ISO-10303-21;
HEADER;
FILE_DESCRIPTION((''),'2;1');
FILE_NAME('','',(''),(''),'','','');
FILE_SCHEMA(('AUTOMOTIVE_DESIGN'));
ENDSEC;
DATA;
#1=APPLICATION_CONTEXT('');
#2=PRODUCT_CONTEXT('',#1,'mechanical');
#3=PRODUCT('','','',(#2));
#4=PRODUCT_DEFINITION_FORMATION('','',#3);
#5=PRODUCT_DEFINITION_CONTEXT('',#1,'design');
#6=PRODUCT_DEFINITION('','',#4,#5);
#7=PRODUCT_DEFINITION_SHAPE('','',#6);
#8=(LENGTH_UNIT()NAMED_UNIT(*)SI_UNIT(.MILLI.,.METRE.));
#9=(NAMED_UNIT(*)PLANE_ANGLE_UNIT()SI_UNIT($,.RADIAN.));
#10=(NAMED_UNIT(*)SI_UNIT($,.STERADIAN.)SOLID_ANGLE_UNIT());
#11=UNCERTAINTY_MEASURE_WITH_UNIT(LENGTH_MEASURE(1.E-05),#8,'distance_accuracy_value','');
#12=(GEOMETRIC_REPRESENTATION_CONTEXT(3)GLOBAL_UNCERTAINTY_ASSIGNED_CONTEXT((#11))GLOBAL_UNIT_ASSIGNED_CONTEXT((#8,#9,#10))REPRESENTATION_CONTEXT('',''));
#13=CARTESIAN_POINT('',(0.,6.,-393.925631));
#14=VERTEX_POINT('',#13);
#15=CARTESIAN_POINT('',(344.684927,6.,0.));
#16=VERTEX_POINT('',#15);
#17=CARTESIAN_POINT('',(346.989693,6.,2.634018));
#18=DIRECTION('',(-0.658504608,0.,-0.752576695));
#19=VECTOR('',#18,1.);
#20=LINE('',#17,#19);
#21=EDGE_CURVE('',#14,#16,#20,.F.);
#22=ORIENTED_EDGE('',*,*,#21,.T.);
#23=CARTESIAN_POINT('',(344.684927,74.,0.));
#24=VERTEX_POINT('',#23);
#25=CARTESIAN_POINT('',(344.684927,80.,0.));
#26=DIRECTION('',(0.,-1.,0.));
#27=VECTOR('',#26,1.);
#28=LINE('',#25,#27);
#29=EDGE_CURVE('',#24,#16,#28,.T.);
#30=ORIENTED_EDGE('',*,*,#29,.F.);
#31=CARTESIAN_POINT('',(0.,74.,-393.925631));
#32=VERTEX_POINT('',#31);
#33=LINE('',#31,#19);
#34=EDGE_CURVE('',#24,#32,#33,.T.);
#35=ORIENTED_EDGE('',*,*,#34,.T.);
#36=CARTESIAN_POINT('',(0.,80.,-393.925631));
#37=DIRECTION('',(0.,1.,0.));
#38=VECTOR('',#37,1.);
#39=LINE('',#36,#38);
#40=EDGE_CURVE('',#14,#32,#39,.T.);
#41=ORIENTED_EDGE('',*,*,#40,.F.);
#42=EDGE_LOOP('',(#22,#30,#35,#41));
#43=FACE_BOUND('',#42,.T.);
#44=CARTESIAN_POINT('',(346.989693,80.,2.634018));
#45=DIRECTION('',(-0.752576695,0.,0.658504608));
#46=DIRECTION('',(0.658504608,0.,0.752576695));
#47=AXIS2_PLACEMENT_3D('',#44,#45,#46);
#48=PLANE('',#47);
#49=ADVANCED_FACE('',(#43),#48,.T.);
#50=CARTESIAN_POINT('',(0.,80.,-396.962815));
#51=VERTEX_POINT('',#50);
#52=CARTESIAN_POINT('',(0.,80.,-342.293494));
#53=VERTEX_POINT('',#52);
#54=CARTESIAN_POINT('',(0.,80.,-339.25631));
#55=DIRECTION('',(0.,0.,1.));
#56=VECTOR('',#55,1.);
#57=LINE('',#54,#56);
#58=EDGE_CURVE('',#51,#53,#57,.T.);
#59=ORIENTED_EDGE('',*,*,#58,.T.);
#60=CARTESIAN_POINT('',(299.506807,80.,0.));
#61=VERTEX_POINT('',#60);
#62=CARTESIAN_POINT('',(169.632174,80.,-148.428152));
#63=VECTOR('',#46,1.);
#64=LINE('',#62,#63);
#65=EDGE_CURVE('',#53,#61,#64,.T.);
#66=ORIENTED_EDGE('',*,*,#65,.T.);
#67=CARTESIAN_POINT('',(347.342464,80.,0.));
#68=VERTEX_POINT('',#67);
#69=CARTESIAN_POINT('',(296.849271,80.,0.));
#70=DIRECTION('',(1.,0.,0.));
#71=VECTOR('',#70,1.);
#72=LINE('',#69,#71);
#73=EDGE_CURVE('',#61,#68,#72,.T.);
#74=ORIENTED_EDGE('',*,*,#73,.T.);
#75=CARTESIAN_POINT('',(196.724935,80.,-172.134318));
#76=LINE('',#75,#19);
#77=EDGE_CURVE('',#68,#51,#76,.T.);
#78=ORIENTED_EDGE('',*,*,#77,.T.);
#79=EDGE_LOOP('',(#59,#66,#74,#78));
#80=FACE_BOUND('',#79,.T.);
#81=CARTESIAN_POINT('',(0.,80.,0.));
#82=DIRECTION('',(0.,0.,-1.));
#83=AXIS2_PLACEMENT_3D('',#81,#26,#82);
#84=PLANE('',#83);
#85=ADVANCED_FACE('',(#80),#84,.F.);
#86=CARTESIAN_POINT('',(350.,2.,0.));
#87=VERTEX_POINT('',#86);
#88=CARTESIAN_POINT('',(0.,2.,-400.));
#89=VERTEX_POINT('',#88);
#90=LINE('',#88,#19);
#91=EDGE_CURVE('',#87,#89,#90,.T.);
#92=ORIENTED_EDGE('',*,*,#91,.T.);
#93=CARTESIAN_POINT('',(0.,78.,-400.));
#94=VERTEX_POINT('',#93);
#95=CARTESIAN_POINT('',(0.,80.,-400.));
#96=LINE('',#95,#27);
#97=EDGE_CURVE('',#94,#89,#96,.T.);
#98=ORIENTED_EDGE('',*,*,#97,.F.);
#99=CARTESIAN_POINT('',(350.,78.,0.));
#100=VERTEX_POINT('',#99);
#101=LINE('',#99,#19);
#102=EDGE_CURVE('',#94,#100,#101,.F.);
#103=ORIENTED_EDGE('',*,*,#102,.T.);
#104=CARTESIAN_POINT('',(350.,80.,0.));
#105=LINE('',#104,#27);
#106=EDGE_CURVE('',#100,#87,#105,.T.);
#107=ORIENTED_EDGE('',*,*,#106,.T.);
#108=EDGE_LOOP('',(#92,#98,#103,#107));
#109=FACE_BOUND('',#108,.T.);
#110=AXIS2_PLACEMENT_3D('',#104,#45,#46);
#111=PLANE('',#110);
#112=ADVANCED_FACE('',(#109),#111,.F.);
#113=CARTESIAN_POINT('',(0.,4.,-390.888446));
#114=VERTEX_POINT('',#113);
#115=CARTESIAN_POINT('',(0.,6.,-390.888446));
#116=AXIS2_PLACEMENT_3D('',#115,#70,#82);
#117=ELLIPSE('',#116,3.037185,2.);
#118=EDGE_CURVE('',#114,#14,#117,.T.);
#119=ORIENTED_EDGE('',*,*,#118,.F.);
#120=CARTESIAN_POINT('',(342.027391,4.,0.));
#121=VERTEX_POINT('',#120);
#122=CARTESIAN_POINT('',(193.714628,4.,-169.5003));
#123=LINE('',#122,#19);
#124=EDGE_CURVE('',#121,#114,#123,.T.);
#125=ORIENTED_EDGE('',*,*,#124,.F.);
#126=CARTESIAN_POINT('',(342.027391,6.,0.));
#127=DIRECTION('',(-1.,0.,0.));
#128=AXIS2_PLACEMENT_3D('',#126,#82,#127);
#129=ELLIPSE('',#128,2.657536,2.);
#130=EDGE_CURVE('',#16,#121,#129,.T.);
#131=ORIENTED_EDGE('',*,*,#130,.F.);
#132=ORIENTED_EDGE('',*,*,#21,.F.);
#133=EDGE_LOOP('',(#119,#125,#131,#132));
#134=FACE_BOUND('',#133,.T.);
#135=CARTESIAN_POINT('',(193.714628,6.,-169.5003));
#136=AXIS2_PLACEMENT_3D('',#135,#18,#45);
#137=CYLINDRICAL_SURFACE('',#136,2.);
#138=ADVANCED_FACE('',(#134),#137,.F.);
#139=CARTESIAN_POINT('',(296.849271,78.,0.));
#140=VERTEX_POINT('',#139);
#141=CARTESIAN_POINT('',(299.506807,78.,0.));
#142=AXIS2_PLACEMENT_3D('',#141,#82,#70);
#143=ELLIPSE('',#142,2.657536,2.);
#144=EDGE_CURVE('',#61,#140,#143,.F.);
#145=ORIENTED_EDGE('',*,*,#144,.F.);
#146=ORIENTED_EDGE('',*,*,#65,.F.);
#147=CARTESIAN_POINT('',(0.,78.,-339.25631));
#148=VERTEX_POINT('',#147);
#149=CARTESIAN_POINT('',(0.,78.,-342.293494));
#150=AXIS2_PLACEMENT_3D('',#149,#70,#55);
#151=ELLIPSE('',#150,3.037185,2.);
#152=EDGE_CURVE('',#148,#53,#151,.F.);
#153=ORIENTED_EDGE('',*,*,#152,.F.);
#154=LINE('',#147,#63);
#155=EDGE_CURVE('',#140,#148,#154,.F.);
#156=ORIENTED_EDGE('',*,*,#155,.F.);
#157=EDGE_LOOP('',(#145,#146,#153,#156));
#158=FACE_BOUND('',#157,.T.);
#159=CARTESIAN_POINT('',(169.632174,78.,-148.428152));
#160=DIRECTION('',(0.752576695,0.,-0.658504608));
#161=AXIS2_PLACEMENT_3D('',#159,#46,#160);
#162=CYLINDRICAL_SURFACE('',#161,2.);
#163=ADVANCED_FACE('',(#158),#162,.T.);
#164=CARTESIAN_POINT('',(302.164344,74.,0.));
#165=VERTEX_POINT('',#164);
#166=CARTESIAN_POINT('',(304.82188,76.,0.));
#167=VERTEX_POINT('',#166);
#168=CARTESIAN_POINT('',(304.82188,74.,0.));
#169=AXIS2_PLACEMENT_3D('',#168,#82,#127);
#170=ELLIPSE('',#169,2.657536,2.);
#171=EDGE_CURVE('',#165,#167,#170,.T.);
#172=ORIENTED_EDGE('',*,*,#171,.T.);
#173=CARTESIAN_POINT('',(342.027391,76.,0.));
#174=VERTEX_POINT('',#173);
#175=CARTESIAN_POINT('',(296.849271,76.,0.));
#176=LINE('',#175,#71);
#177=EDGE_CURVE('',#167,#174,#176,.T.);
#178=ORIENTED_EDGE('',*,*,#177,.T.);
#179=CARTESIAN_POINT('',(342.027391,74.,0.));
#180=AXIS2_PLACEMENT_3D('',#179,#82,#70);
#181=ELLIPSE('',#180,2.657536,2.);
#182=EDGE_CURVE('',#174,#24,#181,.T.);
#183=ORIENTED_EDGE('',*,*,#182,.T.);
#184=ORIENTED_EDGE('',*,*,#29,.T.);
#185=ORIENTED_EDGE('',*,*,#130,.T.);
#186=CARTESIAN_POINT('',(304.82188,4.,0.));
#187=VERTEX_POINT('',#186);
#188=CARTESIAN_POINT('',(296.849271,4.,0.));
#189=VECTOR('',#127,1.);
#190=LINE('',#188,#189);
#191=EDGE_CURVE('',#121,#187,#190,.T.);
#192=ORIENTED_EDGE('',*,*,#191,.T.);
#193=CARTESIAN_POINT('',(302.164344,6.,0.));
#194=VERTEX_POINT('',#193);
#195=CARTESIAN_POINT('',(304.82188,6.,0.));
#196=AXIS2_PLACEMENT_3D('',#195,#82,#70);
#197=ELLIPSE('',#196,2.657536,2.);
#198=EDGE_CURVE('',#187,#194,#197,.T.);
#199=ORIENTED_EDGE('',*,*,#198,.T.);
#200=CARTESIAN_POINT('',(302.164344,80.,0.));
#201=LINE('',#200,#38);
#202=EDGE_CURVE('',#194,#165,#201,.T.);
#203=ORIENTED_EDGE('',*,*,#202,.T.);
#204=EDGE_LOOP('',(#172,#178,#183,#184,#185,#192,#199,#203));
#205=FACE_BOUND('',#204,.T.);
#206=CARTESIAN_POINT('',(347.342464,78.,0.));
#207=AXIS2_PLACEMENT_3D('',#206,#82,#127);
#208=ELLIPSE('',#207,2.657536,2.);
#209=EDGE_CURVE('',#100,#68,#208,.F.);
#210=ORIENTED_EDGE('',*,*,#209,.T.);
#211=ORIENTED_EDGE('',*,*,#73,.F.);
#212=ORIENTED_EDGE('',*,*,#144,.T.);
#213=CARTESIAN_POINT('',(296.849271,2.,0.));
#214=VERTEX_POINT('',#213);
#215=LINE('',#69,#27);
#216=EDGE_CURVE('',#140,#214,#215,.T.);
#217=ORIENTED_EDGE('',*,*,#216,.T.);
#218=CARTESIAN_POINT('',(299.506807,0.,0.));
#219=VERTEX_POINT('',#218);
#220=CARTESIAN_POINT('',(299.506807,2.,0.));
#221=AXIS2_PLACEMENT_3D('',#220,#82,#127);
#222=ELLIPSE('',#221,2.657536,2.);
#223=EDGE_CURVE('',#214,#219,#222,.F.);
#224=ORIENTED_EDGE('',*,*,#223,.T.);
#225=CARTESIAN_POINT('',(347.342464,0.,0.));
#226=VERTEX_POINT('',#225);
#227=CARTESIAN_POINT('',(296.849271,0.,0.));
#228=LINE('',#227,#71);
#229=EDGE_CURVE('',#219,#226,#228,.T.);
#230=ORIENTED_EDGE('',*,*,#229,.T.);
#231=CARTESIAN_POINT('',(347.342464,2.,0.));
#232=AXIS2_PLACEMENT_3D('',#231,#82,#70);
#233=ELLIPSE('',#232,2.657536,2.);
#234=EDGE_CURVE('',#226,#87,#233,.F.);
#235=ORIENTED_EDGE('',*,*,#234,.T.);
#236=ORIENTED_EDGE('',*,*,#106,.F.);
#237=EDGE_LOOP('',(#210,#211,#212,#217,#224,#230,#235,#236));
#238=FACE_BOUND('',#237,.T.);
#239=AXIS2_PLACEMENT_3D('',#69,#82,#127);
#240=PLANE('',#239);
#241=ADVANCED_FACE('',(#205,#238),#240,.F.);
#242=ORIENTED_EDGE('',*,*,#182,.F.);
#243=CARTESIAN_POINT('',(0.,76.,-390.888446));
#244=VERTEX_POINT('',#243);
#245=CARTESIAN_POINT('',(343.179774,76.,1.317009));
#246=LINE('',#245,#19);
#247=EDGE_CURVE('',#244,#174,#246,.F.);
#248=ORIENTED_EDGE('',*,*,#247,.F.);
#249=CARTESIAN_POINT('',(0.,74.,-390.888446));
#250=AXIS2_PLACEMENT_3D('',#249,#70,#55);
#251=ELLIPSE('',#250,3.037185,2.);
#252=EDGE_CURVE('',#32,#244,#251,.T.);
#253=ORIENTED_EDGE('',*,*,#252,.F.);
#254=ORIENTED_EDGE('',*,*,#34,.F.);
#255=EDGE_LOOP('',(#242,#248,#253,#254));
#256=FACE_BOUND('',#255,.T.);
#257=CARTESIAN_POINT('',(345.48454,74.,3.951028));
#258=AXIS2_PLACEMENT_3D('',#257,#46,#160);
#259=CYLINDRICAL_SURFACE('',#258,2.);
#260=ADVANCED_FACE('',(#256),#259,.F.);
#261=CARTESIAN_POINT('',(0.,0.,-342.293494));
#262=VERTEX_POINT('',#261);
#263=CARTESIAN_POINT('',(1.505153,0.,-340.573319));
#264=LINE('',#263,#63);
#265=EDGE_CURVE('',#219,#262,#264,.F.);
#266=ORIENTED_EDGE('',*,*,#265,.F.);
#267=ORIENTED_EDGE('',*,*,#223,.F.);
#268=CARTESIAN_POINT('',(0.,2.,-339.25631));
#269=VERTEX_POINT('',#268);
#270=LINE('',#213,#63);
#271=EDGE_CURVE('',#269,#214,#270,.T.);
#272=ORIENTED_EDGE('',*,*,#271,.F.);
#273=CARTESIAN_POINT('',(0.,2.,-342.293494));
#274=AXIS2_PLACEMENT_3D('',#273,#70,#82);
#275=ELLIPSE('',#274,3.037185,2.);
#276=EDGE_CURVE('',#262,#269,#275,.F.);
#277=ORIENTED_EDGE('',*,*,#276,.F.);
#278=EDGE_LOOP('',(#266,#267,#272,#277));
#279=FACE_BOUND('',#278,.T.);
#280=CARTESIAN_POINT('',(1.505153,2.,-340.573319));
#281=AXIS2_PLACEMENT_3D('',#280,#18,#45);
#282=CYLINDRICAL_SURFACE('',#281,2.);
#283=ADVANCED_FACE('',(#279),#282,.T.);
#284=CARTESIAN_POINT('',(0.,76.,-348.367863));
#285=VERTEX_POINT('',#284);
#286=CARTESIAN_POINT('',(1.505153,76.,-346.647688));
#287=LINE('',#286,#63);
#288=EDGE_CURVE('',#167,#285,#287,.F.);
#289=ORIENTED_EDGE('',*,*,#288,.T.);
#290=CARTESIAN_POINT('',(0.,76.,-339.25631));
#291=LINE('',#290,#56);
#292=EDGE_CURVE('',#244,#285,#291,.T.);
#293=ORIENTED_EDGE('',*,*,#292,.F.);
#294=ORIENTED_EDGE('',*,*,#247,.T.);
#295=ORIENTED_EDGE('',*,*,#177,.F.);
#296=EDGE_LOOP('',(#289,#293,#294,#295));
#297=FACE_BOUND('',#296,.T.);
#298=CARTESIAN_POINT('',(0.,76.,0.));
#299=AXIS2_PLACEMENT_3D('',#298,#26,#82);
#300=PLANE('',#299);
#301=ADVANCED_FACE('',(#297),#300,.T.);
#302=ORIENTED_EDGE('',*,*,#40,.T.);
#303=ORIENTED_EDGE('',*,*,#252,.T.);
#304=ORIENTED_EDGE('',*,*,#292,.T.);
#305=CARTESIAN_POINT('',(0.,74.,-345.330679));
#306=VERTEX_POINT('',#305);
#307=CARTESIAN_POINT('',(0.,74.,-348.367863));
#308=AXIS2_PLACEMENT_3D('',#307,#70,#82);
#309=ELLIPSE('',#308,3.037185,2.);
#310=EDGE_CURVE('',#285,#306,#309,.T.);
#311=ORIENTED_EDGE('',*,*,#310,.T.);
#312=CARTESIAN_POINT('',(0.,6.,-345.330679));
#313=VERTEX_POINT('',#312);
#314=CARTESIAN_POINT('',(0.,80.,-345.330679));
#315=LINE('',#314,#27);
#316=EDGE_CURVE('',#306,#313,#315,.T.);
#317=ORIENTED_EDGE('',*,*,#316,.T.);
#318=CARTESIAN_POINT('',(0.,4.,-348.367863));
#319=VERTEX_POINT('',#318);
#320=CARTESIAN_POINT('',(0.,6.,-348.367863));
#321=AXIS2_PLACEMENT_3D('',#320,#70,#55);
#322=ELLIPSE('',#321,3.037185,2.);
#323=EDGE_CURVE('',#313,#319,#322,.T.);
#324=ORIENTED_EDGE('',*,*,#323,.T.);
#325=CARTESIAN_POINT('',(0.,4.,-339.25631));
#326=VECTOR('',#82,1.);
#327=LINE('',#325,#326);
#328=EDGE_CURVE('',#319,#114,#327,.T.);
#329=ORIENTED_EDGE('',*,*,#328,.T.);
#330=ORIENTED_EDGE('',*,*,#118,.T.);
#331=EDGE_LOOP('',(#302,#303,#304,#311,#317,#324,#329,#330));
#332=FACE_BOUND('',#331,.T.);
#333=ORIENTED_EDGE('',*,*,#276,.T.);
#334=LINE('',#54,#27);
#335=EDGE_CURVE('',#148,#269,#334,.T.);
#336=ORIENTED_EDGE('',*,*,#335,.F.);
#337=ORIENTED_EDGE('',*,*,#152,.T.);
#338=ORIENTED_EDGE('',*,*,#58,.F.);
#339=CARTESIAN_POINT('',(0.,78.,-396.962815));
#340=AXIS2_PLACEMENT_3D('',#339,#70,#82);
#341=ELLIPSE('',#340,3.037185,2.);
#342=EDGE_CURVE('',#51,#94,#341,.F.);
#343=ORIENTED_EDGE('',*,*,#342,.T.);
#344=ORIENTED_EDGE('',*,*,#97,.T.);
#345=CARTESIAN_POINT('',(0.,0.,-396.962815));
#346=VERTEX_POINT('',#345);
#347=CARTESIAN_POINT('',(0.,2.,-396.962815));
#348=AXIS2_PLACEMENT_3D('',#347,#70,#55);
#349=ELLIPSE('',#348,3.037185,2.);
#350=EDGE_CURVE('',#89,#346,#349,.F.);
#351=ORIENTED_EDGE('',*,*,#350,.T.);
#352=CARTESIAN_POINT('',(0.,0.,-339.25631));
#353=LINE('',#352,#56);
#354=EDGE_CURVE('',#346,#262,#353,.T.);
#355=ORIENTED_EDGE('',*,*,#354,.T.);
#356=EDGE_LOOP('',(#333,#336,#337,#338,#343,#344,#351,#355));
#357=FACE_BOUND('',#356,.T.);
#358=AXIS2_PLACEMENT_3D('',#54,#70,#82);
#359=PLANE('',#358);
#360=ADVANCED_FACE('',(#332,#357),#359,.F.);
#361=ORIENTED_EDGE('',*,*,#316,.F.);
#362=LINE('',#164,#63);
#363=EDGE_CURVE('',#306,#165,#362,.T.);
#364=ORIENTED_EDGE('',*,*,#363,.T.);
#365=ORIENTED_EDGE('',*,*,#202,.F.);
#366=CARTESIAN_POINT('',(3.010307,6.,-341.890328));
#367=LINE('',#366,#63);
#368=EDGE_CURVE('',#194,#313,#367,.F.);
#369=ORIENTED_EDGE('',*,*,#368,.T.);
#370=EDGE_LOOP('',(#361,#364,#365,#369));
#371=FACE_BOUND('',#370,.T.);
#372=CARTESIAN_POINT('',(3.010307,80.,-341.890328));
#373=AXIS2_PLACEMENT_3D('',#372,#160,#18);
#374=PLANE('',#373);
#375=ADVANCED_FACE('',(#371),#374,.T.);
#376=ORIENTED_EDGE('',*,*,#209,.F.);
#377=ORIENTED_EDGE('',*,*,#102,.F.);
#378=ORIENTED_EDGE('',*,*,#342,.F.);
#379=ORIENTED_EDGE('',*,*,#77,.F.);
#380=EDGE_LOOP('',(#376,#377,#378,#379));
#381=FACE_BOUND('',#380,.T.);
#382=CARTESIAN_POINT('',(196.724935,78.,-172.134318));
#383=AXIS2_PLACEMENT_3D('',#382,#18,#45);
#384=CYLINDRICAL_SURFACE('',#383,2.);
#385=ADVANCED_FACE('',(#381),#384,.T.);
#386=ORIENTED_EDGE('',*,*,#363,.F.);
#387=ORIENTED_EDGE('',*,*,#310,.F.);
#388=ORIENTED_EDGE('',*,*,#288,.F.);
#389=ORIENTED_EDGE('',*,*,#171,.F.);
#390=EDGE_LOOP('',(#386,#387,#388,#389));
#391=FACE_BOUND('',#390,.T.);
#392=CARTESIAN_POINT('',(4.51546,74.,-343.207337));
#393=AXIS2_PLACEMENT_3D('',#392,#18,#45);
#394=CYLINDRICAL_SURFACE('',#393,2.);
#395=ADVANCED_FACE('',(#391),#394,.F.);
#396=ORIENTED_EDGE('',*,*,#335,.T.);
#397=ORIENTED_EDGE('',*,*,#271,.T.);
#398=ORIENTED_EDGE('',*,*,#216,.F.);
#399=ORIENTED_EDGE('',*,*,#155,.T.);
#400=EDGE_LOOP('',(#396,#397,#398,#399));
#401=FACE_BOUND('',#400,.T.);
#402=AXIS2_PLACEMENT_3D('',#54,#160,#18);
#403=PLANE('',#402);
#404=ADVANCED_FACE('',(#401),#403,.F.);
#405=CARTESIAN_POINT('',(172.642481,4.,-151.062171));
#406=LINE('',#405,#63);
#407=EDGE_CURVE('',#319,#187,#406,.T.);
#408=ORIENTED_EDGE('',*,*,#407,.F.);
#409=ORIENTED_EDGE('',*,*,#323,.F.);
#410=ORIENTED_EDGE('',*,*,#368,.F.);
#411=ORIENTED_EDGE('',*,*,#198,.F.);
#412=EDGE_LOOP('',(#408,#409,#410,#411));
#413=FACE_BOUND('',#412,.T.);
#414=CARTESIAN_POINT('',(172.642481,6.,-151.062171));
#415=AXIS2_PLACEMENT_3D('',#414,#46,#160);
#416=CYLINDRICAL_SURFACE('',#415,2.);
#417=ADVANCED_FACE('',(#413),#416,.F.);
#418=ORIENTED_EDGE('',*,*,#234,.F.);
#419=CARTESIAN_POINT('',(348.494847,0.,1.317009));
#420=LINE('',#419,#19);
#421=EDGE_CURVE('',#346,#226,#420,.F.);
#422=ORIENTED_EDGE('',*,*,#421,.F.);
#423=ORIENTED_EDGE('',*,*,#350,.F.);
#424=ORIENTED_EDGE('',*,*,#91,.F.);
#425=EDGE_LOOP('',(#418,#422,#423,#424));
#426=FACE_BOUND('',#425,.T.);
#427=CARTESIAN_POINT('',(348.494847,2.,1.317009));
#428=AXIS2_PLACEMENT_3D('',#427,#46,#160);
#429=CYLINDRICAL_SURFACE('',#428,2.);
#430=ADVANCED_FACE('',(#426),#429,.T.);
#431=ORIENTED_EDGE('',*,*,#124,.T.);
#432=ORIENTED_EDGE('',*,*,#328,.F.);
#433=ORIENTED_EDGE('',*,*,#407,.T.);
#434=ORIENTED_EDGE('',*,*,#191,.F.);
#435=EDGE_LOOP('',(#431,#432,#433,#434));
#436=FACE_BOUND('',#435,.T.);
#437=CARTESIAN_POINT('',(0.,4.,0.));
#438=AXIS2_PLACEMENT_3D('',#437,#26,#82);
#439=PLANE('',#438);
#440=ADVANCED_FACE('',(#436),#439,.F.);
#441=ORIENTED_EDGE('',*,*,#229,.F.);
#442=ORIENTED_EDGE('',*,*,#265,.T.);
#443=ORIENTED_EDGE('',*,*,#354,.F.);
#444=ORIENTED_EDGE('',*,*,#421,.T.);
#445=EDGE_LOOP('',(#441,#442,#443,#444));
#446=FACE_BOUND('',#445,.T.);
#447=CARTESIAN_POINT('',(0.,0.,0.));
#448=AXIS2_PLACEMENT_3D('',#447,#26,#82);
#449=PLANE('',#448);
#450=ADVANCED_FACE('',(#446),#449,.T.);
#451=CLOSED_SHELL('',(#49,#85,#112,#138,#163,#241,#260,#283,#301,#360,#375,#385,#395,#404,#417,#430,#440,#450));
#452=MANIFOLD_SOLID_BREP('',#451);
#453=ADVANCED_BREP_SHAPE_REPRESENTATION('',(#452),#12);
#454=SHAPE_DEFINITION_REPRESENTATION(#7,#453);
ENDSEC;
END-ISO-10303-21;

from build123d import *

# Parameters (mm, degrees)
BOSS_EXTRU_1_DEPTH           = 80
COQUE1_T                     = 4
ENL_V_MAT_EXTRU_1_DEPTH      = 596.562293525
ENL_V_MAT_EXTRU_1_DEPTH_BACK = 596.562293525
ESQUISSE2_W                  = 72
ESQUISSE2_H                  = 32
CONG_1_R                     = 2


with BuildPart() as part:
    # Esquisse1 → Boss.-Extru.1 (new body)
    with BuildSketch(Plane(origin=(0, 0, 0), x_dir=(1, 0, 0), z_dir=(0, 1, 0))):
        Polygon((0, 339.256309642), (296.849270936, 0), (350, 0), (0, 400), align=None)
    extrude(amount=BOSS_EXTRU_1_DEPTH)

    # Coque1 (no face opened: a closed hollow body)
    add(offset(amount=-COQUE1_T, mode=Mode.PRIVATE), mode=Mode.SUBTRACT)

    # Esquisse2 → Enlèv. mat.-Extru.1 (cut, two sides: drawn at the far end of the back side and taken through both)
    with BuildSketch(Plane(origin=(128.722250229, 0, 147.111143119), x_dir=(0, -1, 0), z_dir=(-0.6585046078685182, 0, -0.7525766947068777)).offset(-ENL_V_MAT_EXTRU_1_DEPTH_BACK)):
        with Locations((-40, -243.401843147)):
            Rectangle(ESQUISSE2_W, ESQUISSE2_H)
    extrude(amount=ENL_V_MAT_EXTRU_1_DEPTH + ENL_V_MAT_EXTRU_1_DEPTH_BACK, mode=Mode.SUBTRACT)

    # Congé1
    cong_1_edges = [part.edges().sort_by_distance(p)[0] for p in [
        (175, 80, -200),
        (151.082171921, 4, -172.665339339),
        (172.342463547, 4, -196.962815482),
        (151.082171921, 76, -172.665339339),
        (172.342463547, 76, -196.962815482),
        (175, 0, -200),
        (148.424635468, 0, -169.628154821),
        (148.424635468, 80, -169.628154821),
    ]]
    fillet(cong_1_edges, radius=CONG_1_R)


solid = part.part
